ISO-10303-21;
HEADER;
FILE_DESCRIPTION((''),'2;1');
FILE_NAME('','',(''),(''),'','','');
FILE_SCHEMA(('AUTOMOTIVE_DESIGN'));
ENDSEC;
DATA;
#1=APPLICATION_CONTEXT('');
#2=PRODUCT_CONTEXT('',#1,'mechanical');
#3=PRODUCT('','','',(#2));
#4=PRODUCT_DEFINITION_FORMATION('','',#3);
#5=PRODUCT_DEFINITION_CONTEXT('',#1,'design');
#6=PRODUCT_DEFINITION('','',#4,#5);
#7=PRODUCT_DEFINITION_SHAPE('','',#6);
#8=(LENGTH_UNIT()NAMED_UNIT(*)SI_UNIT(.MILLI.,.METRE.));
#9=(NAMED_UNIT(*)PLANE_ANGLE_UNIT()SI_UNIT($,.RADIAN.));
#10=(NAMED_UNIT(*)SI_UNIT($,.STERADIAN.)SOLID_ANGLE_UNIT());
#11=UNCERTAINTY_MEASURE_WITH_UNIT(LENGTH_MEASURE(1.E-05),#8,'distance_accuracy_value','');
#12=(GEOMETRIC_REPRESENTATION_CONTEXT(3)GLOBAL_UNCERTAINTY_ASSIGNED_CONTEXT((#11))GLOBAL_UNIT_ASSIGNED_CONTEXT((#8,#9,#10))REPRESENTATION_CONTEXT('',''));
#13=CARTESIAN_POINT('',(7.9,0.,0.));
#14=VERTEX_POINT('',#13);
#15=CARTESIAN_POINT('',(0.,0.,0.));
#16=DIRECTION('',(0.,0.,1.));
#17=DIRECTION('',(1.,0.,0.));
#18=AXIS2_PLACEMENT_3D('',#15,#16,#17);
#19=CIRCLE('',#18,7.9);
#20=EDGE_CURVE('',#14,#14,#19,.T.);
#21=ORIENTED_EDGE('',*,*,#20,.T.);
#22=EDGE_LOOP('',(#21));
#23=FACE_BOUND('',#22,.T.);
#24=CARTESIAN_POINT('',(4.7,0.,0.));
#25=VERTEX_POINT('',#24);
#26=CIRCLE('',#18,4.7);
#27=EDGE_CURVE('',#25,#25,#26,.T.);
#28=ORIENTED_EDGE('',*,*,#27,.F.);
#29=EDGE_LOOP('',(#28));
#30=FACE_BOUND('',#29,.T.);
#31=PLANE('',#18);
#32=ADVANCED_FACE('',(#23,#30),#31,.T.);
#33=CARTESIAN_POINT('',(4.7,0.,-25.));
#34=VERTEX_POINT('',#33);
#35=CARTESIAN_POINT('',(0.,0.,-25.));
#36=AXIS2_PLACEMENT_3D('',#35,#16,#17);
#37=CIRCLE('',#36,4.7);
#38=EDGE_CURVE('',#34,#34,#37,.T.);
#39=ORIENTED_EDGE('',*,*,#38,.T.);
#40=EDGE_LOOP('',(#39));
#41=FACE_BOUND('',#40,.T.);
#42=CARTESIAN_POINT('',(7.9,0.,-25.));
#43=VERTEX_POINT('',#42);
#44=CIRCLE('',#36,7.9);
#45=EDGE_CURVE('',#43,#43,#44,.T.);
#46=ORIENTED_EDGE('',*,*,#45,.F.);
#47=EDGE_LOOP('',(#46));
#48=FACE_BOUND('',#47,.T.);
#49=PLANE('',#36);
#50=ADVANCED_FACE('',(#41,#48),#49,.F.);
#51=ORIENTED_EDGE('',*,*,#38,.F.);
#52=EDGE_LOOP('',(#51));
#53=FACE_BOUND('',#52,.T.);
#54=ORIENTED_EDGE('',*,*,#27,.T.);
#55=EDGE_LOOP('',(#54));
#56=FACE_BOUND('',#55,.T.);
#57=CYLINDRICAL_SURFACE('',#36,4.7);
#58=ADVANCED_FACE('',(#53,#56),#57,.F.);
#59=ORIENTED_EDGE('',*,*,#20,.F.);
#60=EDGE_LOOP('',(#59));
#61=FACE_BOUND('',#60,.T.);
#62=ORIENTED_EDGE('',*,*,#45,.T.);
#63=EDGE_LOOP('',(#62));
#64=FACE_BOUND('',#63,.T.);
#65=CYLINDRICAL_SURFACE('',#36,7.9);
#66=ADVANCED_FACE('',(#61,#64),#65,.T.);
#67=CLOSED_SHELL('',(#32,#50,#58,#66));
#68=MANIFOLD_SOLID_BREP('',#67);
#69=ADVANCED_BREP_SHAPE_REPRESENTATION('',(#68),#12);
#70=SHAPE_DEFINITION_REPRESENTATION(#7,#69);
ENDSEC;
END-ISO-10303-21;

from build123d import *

# Parameters (mm, degrees)
SKETCH1_R           = 7.9
SKETCH1_R_2         = 4.7
BOSS_EXTRUDE1_DEPTH = 25


with BuildPart() as part:
    # Sketch1 → Boss-Extrude1 (new body)
    with BuildSketch(Plane.XY):
        Circle(SKETCH1_R)
        Circle(SKETCH1_R_2, mode=Mode.SUBTRACT)
    extrude(amount=-BOSS_EXTRUDE1_DEPTH)


solid = part.part
